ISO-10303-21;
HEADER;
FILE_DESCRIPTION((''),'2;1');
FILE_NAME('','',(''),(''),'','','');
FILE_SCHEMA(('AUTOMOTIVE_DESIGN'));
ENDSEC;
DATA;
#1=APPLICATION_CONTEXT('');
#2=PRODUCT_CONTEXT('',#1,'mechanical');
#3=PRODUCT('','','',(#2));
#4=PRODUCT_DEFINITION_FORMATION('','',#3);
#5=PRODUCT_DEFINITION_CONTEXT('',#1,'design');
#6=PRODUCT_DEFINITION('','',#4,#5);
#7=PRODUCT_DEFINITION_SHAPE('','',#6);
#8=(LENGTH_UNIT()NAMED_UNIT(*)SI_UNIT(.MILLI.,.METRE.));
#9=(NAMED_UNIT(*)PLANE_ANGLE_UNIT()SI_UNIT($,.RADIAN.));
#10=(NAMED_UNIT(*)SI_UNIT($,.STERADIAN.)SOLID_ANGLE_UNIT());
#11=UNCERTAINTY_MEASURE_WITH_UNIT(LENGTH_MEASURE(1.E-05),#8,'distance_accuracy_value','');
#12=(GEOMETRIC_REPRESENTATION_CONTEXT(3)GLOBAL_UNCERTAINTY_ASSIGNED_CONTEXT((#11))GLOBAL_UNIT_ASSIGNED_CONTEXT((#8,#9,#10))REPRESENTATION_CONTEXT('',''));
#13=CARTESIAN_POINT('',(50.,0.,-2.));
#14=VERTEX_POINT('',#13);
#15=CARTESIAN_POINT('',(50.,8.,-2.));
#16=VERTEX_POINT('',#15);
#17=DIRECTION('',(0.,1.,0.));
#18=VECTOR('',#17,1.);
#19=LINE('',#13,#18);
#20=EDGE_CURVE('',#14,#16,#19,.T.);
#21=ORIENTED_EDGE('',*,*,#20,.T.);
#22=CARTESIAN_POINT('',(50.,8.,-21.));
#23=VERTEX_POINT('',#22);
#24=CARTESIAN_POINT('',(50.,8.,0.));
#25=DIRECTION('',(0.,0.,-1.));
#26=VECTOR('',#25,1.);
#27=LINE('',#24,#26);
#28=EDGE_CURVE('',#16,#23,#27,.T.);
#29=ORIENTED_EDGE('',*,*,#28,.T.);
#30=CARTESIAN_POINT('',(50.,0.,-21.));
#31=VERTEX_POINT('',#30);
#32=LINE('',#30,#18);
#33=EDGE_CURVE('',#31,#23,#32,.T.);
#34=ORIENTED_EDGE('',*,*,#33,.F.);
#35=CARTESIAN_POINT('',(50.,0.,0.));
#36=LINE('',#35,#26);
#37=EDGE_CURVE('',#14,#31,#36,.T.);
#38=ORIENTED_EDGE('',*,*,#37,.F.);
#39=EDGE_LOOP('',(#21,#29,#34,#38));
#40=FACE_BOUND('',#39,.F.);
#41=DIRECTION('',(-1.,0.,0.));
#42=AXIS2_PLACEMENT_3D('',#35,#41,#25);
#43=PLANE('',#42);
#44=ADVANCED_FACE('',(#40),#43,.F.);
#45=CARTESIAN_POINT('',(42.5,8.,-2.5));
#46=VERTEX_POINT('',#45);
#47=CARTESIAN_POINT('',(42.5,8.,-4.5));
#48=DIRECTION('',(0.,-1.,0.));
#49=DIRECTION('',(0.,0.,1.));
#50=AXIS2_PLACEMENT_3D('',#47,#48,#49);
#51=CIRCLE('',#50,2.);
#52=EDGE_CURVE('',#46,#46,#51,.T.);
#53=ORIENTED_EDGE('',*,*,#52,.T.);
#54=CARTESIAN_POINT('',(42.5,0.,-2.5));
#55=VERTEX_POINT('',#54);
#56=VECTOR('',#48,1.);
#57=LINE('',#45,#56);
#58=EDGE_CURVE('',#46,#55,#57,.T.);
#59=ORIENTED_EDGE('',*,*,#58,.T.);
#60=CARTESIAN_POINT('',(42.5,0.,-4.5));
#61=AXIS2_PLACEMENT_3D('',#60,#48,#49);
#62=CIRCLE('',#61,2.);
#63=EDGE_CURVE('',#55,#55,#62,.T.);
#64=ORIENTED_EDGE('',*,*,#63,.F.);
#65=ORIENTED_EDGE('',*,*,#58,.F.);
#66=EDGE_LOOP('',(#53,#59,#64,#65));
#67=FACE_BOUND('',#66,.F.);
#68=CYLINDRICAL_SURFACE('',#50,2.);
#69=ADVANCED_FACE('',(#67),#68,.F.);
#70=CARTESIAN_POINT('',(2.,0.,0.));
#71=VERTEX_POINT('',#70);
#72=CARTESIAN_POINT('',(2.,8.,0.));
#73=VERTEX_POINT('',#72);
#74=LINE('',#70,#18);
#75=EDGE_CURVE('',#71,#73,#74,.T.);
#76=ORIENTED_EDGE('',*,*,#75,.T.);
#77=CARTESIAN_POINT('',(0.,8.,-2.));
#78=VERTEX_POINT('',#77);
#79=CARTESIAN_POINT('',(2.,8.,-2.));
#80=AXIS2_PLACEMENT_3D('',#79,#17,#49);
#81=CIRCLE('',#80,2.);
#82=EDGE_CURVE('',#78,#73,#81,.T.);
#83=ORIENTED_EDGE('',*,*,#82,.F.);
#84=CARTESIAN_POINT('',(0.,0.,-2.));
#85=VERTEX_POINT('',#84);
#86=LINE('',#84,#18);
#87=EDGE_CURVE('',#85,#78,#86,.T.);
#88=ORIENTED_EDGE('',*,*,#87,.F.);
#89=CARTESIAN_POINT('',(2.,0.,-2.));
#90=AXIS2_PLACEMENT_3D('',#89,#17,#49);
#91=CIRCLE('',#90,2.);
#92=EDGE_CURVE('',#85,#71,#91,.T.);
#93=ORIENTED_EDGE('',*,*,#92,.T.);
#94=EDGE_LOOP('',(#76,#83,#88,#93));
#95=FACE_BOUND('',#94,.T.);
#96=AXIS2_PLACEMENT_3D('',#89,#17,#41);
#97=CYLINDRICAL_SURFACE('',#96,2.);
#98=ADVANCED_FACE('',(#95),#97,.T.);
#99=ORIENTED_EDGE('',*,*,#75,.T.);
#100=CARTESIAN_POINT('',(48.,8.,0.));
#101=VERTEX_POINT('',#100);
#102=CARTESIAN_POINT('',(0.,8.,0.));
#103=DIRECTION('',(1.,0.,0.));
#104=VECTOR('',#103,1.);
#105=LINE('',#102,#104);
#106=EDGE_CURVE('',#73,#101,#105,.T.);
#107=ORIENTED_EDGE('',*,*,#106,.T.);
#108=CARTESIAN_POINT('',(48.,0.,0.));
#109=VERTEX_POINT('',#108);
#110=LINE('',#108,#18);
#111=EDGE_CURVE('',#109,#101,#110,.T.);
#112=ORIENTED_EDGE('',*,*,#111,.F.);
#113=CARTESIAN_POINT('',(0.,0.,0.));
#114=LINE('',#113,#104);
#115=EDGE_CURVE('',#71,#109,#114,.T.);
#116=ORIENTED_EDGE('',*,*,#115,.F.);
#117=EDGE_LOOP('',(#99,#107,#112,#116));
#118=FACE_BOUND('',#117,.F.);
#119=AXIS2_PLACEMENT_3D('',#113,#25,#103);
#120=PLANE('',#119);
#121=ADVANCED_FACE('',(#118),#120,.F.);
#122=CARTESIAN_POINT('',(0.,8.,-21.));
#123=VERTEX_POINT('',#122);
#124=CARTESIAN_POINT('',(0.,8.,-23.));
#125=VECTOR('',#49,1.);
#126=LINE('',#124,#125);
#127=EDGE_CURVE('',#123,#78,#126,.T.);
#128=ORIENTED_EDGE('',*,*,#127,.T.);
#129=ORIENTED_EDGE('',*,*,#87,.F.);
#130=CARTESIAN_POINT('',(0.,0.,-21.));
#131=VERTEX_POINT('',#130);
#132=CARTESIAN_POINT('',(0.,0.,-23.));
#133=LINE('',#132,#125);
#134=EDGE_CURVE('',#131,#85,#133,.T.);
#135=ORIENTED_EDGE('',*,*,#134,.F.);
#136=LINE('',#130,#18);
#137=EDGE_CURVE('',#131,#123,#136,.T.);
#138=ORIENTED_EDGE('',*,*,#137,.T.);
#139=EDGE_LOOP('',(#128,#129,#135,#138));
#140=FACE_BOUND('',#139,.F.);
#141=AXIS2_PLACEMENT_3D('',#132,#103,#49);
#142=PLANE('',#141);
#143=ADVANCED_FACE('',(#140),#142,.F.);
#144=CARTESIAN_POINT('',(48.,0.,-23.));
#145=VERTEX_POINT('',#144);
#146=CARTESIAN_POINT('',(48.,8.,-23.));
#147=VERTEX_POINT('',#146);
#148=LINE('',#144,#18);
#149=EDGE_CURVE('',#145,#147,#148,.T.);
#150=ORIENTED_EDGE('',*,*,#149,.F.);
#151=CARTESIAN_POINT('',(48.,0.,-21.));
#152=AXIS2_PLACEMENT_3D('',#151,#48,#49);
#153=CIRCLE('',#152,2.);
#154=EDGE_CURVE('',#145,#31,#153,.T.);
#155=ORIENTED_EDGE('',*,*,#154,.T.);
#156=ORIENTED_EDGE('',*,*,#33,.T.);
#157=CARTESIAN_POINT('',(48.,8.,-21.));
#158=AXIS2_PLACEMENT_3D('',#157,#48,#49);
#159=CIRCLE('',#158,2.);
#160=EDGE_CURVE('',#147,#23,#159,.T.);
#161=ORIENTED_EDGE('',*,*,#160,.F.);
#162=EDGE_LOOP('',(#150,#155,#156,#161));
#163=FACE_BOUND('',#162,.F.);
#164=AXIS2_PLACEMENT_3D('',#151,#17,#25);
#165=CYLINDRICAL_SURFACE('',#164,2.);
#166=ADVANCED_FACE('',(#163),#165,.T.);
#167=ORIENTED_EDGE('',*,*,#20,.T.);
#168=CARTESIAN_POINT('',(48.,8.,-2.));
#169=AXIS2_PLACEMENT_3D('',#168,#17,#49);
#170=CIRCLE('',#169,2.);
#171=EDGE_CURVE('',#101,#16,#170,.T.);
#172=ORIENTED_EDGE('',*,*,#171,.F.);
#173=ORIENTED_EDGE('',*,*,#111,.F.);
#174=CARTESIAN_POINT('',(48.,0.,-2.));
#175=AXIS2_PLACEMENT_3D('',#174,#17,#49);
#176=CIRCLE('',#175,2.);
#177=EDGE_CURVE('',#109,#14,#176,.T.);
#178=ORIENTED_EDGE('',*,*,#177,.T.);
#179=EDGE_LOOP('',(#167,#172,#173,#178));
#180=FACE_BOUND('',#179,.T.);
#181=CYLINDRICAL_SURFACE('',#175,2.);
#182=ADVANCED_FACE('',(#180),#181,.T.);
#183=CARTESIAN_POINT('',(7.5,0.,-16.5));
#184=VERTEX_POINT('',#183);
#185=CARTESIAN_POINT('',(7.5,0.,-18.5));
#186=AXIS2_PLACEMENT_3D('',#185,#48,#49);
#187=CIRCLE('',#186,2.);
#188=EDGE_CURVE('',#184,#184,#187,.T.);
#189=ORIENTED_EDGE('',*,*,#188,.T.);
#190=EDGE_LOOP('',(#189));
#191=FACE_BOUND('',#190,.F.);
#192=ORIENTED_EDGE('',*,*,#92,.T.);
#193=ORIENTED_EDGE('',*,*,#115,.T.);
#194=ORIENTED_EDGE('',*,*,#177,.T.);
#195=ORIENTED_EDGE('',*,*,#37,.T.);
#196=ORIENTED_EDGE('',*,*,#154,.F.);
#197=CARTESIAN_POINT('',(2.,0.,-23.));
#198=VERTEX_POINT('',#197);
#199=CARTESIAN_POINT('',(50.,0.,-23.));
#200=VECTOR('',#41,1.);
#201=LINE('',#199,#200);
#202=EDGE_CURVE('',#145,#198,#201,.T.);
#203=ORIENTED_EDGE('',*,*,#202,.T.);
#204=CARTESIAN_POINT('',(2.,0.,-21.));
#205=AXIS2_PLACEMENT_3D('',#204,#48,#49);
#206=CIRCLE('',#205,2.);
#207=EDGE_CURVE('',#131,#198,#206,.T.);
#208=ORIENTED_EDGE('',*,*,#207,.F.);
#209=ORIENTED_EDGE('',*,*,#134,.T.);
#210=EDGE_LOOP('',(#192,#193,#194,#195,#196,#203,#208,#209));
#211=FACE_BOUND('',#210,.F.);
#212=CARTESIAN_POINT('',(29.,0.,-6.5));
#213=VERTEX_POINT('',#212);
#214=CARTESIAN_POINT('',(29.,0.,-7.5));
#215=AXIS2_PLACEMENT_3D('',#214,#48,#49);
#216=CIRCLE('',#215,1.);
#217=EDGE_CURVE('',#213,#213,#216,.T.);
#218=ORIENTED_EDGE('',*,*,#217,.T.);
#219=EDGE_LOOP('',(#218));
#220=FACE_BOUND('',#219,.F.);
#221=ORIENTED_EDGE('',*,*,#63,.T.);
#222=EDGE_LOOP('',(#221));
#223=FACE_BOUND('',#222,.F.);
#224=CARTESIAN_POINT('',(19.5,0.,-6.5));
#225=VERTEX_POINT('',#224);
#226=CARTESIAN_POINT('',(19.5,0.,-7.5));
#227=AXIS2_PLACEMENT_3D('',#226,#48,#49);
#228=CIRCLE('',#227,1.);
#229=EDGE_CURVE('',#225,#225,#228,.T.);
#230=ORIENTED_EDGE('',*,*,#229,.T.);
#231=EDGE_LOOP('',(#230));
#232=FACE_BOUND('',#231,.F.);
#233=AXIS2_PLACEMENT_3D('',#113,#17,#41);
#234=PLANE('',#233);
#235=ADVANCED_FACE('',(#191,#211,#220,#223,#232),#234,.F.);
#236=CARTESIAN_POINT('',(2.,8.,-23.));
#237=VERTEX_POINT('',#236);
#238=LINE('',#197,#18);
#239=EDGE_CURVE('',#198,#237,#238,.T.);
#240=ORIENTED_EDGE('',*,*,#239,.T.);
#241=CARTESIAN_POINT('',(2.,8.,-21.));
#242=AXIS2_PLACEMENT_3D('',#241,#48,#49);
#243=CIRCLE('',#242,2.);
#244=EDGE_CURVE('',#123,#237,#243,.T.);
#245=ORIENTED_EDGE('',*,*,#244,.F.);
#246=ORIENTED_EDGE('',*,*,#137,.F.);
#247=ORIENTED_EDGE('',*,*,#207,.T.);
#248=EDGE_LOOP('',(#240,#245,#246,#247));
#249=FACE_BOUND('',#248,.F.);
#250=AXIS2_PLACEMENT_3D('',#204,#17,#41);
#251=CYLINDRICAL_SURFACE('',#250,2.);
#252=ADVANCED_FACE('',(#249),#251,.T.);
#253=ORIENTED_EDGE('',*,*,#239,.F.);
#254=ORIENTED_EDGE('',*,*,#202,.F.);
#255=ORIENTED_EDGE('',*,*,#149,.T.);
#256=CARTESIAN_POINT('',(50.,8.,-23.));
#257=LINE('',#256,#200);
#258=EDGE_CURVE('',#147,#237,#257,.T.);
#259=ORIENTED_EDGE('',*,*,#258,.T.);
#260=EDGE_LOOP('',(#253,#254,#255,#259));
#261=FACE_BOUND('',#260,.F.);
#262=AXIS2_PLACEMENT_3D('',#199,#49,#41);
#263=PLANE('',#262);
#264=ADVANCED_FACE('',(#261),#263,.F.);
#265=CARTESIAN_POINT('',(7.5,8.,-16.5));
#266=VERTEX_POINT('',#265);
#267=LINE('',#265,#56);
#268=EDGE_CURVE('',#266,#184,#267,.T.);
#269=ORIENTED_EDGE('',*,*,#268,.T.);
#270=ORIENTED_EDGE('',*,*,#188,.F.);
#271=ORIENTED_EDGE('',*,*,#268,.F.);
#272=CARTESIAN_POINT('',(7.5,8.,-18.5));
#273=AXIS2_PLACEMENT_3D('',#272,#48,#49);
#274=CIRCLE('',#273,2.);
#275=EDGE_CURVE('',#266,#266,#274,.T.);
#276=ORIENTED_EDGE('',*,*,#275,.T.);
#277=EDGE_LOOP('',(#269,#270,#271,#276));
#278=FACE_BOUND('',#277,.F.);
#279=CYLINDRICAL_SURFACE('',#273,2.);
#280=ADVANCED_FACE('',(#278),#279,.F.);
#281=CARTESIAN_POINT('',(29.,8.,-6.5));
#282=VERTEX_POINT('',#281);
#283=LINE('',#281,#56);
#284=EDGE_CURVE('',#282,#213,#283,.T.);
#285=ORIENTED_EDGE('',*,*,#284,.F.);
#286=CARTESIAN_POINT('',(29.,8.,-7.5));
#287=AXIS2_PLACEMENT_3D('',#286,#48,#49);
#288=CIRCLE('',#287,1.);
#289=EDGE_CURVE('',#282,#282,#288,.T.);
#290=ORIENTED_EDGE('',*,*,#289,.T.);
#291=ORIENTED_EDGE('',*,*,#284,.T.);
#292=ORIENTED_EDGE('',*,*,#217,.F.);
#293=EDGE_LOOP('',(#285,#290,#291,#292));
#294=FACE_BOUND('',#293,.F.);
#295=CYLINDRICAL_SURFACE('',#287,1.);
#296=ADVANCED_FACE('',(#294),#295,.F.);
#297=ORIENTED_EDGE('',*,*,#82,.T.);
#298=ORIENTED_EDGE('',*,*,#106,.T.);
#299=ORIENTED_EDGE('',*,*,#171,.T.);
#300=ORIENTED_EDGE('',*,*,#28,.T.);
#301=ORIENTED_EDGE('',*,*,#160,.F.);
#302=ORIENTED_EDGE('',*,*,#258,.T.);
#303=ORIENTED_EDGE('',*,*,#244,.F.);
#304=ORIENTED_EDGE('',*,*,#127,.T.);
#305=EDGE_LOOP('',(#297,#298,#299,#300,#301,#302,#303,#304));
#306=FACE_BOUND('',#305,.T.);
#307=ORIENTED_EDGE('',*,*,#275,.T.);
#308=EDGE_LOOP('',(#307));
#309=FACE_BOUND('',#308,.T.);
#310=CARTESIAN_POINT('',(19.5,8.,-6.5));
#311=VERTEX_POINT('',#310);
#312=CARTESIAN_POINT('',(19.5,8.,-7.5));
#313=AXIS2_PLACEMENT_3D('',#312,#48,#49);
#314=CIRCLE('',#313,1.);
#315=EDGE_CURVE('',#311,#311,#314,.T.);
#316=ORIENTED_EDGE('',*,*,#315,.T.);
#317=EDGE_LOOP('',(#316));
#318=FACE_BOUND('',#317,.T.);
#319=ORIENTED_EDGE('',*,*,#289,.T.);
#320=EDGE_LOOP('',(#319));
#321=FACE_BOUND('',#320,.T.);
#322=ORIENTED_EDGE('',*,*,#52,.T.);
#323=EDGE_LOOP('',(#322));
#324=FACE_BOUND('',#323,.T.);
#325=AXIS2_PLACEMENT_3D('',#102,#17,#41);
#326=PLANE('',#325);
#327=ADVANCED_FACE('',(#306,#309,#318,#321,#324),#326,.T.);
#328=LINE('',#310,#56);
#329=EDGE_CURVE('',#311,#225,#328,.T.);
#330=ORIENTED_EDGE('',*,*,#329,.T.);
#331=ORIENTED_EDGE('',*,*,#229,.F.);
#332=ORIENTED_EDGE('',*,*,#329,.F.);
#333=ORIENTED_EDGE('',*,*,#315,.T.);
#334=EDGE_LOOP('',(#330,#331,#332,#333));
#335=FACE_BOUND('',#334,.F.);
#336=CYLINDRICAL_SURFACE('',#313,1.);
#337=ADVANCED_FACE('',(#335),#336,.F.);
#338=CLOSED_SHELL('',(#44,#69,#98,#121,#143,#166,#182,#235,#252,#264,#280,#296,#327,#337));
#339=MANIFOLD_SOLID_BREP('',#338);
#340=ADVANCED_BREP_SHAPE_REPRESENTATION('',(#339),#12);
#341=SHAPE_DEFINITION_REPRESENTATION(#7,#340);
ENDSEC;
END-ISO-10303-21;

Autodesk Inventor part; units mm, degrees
ref_plane "YZ Plane" through (0, 0, 0) normal (1, 0, 0) x (0, 1, 0)
ref_plane "XZ Plane" through (0, 0, 0) normal (0, 1, 0) x (-1, 0, 0)
ref_plane "XY Plane" through (0, 0, 0) normal (0, 0, 1) x (1, 0, 0)
sketch "Sketch1" plane through (0, 0, 0) normal (0, 1, 0) x (-1, 0, 0)
  line L0 (0, 0) -> (-50, 0)
  line L1 (-50, 0) -> (-50, -23)
  line L2 (-50, -23) -> (0, -23)
  line L3 (0, -23) -> (0, 0)
  dimension "d0" = 50
  dimension "d1" = 23
extrude "Extrusion1" add sketch "Sketch1" along normal blind 8
sketch "Sketch2" plane through (0, 8, 0) normal (0, 1, 0) x (1, 0, 0)
  line L0 (0, 0) -> (50, 0) construction
  line L1 (50, 0) -> (50, 23) construction
  line L2 (50, 23) -> (0, 23) construction
  line L3 (0, 23) -> (0, 0) construction
  point P0 (7.5, 18.5)
  point P1 (19.5, 7.5)
  point P2 (29, 7.5)
  point P3 (42.5, 4.5)
  dimension "d5" = 4.5
  dimension "d6" = 7.5
  dimension "d7" = 7.5
  dimension "d8" = 19.5
  dimension "d9" = 9.5
  dimension "d10" = 7.5
  dimension "d11" = 4.5
hole "Hole1" at (19.5, 8, -7.5) at (29, 8, -7.5) direction (0, -1, 0) diameter 2 end through all
hole "Hole2" at (7.5, 8, -18.5) at (42.5, 8, -4.5) direction (0, -1, 0) diameter 4 end through all
fillet "Fillet1" radius 2 4 edges at (0, 4, 0) (0, 4, -23) (50, 4, 0) (50, 4, -23)
properties part number "A8-0016"
